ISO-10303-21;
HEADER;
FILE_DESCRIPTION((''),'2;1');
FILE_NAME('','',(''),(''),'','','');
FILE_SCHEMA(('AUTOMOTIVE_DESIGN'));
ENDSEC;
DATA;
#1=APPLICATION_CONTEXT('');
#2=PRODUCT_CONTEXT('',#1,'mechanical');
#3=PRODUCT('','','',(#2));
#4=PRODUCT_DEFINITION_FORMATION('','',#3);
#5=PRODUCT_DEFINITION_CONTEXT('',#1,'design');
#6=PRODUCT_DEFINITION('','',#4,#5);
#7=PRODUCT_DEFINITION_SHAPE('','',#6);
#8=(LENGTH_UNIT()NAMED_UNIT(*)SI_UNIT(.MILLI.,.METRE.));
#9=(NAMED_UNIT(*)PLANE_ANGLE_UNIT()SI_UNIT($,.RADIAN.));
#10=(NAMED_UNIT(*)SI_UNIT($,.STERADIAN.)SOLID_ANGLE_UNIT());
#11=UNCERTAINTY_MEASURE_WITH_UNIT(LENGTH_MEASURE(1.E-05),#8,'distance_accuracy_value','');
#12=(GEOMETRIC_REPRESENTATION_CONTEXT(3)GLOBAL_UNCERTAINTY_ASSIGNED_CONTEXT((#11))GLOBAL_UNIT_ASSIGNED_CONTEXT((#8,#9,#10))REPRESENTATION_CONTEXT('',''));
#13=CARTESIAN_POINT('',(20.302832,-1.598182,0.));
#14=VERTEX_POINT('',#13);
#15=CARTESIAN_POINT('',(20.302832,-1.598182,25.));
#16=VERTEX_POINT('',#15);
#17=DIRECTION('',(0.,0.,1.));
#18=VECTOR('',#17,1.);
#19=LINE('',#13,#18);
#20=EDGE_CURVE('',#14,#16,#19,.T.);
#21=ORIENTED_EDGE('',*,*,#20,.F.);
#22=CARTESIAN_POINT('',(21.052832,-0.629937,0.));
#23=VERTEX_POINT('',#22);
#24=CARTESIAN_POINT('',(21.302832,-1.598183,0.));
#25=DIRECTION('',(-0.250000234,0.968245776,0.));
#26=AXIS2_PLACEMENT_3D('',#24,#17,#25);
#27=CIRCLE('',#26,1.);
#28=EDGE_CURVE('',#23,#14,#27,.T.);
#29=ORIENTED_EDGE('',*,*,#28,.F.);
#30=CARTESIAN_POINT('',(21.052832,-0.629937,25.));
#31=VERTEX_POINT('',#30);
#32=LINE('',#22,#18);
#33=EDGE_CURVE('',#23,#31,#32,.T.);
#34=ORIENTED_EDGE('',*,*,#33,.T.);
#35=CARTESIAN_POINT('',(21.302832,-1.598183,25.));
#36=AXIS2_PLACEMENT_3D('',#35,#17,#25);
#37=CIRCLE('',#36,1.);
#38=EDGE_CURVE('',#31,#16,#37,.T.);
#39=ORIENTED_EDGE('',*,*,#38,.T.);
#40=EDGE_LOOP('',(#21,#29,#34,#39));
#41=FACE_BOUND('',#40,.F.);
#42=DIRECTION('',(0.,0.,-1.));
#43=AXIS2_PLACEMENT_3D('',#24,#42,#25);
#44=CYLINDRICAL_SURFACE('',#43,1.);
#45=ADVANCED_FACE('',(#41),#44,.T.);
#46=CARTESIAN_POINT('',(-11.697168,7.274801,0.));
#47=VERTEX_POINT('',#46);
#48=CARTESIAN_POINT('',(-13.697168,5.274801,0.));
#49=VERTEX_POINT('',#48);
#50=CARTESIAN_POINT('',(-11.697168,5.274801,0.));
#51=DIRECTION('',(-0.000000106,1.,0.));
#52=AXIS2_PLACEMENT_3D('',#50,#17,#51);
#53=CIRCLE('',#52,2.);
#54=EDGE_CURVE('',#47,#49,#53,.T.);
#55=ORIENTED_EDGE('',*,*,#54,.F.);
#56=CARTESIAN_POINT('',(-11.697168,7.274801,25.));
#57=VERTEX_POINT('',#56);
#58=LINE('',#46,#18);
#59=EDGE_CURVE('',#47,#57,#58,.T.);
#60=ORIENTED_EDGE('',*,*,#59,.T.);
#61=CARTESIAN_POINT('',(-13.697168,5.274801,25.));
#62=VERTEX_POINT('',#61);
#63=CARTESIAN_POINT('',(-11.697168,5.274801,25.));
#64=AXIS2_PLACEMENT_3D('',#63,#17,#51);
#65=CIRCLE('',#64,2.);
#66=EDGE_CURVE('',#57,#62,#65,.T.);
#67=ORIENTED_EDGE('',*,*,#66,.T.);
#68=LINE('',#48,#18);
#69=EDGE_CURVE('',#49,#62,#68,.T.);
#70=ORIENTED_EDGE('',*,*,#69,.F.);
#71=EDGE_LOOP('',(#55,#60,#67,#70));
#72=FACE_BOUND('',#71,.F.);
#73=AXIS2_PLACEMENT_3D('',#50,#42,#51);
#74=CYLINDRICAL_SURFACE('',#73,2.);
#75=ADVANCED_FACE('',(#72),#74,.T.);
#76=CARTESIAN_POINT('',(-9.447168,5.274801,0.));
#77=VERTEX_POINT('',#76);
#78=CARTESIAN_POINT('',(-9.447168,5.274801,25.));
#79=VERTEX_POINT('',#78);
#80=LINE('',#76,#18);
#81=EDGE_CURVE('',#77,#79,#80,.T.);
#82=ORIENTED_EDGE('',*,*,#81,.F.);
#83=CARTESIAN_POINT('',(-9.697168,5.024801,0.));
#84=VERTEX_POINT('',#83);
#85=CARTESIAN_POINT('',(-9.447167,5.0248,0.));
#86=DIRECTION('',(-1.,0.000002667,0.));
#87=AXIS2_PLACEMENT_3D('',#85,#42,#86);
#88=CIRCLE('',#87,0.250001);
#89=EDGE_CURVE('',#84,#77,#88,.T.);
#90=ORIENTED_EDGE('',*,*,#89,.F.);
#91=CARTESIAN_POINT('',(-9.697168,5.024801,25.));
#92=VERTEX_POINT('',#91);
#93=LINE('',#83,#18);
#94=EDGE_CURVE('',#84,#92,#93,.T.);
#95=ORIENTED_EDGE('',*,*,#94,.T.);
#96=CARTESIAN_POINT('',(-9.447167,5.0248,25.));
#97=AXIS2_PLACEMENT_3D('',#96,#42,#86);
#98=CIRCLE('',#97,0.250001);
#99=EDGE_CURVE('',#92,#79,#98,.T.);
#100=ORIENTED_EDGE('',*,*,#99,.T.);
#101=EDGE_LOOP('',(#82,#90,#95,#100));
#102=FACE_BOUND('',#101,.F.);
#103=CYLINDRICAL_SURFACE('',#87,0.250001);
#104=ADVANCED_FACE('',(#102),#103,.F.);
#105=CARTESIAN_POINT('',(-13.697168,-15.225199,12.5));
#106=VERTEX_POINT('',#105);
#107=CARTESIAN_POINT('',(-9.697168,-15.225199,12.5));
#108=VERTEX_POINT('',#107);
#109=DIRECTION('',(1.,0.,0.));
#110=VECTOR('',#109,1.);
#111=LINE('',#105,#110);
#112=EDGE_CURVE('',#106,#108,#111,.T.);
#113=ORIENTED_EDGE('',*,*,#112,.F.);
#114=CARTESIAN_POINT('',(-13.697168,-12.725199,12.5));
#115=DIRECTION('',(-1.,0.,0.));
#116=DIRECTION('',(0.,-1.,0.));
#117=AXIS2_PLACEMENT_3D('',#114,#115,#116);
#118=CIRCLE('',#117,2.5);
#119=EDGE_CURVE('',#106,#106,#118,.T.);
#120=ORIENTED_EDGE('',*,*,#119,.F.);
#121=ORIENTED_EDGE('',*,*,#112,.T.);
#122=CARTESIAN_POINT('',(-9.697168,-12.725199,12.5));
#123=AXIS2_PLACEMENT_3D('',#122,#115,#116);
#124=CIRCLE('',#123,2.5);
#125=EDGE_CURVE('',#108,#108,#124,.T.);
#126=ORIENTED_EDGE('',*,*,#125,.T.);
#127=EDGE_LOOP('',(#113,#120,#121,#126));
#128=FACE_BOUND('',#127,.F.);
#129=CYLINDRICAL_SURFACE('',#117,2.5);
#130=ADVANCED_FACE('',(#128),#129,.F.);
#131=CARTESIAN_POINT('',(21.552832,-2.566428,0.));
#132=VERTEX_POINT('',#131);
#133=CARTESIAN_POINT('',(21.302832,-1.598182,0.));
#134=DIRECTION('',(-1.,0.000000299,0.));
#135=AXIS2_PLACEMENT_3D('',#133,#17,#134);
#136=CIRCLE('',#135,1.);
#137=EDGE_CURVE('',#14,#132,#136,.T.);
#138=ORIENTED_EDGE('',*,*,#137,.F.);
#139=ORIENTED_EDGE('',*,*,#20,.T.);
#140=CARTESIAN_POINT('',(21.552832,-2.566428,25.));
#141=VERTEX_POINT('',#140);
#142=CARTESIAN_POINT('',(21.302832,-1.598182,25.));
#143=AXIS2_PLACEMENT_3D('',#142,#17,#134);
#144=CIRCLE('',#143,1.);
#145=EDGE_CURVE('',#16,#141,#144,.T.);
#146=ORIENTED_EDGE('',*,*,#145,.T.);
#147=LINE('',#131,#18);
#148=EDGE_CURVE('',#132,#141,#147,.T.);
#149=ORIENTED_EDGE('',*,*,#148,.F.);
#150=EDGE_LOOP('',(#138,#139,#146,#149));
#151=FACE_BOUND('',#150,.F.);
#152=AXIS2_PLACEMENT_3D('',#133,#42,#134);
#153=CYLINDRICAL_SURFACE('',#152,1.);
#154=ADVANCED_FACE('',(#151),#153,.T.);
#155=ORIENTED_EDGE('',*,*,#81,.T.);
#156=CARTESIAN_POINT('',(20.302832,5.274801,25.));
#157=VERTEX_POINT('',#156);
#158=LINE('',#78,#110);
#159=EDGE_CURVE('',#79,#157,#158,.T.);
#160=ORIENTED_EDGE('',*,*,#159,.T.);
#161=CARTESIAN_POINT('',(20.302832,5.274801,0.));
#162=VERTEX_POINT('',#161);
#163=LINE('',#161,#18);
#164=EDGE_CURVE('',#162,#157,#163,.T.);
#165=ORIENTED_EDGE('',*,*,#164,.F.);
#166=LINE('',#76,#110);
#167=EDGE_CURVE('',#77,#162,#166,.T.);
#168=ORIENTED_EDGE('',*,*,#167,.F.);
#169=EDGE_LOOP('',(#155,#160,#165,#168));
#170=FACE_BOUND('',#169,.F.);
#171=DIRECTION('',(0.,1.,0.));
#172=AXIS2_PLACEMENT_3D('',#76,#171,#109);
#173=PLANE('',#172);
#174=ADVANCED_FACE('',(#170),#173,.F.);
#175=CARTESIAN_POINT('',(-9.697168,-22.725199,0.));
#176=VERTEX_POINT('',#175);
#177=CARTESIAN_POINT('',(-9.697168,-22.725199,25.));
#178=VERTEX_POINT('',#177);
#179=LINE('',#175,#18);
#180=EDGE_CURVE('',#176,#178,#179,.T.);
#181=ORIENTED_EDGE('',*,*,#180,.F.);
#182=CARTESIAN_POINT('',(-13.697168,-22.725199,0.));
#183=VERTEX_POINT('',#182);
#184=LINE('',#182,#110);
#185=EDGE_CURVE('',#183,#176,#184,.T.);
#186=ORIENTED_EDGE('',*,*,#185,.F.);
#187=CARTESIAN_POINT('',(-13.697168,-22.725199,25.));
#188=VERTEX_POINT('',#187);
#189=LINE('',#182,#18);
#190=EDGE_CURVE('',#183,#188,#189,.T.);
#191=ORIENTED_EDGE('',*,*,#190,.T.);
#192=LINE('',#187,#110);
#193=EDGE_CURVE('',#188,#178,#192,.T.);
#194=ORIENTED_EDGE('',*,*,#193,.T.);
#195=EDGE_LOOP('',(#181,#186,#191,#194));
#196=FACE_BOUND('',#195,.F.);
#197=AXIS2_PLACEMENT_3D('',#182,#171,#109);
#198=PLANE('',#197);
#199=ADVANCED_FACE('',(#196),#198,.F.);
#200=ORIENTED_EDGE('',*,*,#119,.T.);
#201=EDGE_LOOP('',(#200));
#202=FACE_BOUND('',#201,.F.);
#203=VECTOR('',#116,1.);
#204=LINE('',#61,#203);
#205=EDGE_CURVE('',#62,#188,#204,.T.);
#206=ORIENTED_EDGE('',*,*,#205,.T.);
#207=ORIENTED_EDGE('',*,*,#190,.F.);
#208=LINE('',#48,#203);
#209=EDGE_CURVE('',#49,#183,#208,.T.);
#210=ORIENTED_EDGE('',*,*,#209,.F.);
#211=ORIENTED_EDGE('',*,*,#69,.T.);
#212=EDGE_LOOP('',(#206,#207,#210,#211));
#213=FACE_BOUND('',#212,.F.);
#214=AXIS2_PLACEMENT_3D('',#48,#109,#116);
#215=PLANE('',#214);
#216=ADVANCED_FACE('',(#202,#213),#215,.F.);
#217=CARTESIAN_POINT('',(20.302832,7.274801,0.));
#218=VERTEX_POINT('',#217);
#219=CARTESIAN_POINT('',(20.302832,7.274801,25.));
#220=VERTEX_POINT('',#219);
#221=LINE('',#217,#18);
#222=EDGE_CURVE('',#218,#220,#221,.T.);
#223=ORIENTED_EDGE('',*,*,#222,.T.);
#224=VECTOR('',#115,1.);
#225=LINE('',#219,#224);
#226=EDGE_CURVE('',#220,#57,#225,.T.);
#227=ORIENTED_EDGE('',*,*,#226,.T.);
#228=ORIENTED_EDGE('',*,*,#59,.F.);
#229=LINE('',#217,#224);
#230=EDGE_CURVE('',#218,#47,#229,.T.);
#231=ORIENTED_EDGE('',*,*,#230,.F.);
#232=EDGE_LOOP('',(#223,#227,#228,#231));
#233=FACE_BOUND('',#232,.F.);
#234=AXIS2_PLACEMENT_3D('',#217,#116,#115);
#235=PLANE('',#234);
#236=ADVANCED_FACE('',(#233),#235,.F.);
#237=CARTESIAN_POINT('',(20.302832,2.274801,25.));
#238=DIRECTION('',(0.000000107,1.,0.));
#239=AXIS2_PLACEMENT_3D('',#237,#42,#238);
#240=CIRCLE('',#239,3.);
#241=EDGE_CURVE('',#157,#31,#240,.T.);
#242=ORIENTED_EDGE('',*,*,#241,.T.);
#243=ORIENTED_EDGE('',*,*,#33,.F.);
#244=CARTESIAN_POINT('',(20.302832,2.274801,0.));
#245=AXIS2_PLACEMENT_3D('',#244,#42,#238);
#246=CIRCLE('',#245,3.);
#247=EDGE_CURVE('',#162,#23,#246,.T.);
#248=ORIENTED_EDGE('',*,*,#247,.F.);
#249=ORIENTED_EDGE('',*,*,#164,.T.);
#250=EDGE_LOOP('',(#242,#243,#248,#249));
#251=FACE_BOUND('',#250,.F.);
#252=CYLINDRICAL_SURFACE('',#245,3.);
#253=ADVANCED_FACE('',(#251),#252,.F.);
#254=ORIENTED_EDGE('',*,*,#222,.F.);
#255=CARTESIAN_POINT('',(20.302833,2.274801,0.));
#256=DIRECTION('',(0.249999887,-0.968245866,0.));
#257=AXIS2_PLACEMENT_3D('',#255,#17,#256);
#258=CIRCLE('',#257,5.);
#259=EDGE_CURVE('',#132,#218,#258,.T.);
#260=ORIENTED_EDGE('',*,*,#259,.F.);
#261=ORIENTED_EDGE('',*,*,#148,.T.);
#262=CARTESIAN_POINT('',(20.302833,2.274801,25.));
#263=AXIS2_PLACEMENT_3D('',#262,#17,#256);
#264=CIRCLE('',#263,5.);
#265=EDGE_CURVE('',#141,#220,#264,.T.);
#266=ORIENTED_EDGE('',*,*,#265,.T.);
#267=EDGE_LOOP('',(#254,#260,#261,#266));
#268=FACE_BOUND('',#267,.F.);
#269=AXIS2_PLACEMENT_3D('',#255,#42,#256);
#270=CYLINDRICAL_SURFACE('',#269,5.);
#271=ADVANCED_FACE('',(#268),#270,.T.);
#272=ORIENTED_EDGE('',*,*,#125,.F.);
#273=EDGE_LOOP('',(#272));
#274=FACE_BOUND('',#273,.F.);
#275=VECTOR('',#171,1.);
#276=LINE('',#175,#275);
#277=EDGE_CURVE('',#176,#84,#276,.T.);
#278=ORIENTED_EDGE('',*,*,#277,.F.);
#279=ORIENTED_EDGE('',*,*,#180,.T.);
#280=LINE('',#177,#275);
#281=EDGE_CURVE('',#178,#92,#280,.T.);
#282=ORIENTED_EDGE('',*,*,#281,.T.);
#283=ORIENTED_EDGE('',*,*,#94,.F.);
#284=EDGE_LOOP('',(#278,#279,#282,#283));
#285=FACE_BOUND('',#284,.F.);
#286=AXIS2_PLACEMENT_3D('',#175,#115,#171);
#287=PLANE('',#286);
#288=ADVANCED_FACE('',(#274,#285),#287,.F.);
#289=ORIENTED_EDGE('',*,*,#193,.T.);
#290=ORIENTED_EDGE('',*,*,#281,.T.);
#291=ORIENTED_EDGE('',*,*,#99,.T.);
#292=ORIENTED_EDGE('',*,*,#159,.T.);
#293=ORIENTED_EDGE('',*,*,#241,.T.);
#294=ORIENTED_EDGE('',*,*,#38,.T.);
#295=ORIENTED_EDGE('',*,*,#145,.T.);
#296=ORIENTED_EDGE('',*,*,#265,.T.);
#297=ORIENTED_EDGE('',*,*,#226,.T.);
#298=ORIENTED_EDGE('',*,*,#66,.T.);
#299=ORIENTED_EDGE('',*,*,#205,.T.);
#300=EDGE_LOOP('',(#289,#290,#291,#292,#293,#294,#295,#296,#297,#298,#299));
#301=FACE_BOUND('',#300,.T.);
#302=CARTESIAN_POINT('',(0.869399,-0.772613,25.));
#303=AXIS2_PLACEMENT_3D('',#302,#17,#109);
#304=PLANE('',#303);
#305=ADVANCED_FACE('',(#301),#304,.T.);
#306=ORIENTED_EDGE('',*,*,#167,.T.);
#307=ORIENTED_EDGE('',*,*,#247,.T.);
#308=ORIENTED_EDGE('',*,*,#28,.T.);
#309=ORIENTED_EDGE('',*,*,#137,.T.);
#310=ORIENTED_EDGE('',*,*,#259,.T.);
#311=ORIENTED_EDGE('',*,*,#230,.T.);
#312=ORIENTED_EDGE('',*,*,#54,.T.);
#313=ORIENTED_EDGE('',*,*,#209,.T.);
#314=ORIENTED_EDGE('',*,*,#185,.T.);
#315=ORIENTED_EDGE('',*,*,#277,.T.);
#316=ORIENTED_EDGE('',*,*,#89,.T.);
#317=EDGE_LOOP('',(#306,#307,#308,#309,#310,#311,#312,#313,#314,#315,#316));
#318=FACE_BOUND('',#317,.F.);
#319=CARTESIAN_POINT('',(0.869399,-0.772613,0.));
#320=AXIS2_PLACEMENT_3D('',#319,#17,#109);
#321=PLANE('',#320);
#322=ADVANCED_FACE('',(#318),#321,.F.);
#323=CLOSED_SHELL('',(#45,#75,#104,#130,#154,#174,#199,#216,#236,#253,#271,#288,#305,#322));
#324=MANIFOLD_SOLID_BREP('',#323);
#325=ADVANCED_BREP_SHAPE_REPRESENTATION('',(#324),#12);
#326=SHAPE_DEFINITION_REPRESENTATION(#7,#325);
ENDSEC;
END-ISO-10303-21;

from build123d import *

# Parameters (mm, degrees)
F1_DEPTH = 25
F2_R     = 2.5
F3_DEPTH = 4


with BuildPart() as f1:
    # F0 (on Top) → F1 (new body)
    with BuildSketch(Plane.XY):
        with BuildLine():
            Line((-9.697168, 7.274801), (-11.697168, 7.274801))
            ThreePointArc((-11.697168, 7.274801), (-13.111381, 6.689015), (-13.697168, 5.274801))
            Line((-13.697168, 5.274801), (-13.697168, -22.725199))
            Line((-13.697168, -22.725199), (-9.697168, -22.725199))
            Line((-9.697168, -22.725199), (-9.697168, 5.024801))
            ThreePointArc((-9.697168, 5.024801), (-9.623944, 5.201578), (-9.447168, 5.274801))
            Line((-9.447168, 5.274801), (20.302832, 5.274801))
            ThreePointArc((20.302832, 5.274801), (23.278921, 2.652814), (21.052832, -0.629937))
            ThreePointArc((21.052832, -0.629937), (20.512263, -0.98581), (20.302832, -1.598182))
            ThreePointArc((20.302832, -1.598182), (20.69046, -2.388752), (21.552832, -2.566428))
            ThreePointArc((21.552832, -2.566428), (25.262981, 2.904822), (20.302832, 7.274801))
            Line((20.302832, 7.274801), (-9.697168, 7.274801))
        make_face()
    extrude(amount=F1_DEPTH)

    # F2 (on face) → F3 (cut, through all)
    with BuildSketch(Plane(origin=(-13.697168, 0, 0), x_dir=(0, -1, 0), z_dir=(-1, 0, 0))):
        with Locations((12.725199, 12.5)):
            Circle(F2_R)
    extrude(amount=-F3_DEPTH, mode=Mode.SUBTRACT)


solid = f1.part
